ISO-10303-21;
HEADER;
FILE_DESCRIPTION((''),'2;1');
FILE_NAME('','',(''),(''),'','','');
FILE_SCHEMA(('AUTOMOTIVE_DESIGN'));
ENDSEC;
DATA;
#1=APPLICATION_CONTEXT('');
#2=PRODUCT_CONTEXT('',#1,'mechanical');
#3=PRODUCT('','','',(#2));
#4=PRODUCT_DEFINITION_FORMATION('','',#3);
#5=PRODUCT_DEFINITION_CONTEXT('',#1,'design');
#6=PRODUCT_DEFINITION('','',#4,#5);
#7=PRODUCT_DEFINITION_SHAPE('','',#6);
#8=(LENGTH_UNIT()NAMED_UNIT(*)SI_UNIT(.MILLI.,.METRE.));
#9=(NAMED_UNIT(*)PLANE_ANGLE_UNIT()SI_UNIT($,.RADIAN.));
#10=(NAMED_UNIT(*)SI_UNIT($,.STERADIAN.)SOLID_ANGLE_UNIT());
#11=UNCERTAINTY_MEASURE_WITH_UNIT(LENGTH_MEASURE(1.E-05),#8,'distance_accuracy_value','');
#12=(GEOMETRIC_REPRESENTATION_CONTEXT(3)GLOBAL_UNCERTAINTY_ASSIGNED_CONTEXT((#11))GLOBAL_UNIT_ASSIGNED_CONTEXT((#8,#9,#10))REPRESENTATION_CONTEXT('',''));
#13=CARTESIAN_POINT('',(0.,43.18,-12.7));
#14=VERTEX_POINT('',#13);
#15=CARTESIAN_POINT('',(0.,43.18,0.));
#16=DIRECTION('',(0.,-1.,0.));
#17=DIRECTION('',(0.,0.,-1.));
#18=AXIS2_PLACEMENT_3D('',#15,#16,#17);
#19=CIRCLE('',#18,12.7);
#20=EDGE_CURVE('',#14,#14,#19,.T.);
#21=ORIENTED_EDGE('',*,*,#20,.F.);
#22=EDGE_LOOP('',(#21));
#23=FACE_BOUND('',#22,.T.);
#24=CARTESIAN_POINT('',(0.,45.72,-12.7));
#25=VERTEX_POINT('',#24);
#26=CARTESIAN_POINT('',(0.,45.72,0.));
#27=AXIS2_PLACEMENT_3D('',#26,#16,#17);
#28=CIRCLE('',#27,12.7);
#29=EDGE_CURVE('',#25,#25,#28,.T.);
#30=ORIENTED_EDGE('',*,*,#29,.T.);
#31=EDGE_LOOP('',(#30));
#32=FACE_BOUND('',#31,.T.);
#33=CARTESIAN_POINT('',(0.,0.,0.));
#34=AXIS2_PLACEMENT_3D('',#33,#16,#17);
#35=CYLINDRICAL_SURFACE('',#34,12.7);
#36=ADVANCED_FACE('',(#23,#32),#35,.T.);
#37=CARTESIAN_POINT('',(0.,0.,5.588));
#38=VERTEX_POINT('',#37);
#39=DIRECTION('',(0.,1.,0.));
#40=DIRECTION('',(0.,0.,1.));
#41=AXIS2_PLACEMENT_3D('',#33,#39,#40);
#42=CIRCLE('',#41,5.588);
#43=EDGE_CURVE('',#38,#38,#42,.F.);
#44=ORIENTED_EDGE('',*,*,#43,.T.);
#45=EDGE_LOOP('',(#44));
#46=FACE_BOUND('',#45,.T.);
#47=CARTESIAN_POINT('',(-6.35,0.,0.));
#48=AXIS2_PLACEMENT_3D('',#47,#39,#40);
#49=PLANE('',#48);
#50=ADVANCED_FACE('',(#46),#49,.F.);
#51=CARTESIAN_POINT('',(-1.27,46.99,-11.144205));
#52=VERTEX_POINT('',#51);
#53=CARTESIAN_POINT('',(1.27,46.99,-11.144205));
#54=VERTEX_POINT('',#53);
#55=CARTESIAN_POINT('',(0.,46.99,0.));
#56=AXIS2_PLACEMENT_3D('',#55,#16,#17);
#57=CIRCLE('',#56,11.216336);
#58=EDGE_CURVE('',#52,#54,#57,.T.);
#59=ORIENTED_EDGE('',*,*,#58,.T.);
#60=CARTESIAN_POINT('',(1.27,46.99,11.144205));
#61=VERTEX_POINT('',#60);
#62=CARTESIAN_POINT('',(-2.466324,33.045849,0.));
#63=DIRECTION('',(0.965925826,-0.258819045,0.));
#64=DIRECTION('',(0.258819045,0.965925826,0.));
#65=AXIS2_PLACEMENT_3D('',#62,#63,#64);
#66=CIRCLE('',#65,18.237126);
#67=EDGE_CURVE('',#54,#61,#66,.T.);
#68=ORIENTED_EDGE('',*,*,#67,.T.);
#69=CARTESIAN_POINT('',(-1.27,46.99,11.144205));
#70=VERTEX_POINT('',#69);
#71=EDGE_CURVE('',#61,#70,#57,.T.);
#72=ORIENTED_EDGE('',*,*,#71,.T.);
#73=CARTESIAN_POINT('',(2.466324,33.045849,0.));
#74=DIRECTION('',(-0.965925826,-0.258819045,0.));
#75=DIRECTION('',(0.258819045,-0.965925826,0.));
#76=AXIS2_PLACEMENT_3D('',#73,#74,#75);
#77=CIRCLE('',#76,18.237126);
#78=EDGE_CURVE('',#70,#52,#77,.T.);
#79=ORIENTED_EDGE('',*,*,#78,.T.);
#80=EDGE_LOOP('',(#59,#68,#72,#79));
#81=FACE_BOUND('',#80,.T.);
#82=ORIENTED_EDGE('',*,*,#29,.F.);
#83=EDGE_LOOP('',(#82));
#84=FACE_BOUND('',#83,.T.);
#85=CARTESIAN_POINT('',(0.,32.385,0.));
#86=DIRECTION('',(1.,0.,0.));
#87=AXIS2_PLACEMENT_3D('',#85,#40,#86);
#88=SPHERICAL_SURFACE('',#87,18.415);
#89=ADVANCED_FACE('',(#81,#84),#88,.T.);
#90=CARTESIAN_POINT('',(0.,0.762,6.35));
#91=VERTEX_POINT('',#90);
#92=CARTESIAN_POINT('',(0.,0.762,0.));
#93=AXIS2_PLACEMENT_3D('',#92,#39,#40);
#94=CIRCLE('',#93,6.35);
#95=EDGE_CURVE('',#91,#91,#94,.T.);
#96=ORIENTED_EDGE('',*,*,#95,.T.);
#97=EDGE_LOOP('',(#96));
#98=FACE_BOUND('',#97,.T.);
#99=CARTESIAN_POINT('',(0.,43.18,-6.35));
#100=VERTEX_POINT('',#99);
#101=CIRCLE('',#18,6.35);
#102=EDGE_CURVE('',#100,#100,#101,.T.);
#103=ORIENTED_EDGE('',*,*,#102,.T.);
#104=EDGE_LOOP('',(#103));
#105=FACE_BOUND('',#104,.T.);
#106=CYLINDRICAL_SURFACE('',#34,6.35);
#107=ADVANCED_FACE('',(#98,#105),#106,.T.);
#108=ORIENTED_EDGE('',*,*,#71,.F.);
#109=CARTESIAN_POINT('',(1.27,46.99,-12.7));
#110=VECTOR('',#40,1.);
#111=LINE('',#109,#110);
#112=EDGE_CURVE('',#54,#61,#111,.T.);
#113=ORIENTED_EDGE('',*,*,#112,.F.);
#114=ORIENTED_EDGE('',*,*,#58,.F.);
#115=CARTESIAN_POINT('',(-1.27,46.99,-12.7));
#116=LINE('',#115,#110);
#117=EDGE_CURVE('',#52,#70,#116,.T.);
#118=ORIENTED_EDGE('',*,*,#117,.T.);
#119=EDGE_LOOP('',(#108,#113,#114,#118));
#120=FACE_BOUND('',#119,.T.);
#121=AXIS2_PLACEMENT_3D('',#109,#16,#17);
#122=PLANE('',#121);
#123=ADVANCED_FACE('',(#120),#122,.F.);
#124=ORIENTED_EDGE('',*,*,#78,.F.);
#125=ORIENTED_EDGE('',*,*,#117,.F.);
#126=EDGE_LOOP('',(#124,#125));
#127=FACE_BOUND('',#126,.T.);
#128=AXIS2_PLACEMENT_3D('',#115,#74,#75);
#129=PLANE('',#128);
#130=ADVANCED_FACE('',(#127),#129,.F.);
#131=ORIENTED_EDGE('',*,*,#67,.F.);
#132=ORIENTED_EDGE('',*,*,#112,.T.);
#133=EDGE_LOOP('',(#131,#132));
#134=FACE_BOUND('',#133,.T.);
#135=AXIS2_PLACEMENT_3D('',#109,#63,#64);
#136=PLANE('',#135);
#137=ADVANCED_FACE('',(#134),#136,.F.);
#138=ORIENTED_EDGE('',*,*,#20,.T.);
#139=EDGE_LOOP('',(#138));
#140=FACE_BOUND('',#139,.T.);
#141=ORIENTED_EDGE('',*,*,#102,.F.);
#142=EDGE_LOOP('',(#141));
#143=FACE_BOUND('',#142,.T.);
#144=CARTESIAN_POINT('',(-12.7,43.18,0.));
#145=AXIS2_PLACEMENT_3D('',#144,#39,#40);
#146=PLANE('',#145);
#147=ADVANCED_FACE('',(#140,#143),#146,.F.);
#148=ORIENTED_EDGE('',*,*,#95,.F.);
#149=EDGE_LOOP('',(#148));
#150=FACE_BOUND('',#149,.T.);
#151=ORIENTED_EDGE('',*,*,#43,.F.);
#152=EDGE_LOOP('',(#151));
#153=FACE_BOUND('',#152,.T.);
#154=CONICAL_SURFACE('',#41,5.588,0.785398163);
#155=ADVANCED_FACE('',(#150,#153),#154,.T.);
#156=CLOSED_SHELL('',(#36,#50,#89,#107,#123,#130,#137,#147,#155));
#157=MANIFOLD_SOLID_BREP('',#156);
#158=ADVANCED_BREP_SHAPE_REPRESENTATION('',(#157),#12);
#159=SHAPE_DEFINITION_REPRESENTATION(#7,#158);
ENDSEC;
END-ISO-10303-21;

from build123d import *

# Parameters (mm, degrees)
DOME2_FACE_RADIUS       = 12.7
DOME2_HEIGHT            = 5.08
CUT_EXTRUDE2_DEPTH      = 54.881536726
CUT_EXTRUDE2_DEPTH_BACK = 54.881536726
CHAMFER1_SIZE           = 0.762


with BuildPart() as part:
    # Sketch1 → Revolve1 (revolve)
    with BuildSketch(Plane.XY, mode=Mode.PRIVATE) as revolve1_sk:
        Polygon((0, 0), (0, 45.72), (-12.7, 45.72), (-12.7, 43.18), (-6.35, 43.18), (-6.35, 0), align=None)
    revolve(revolve1_sk.sketch.rotate(Axis((0, 0, 0), (0, 1, 0)), 270), axis=Axis((0, 0, 0), (0, 1, 0)))

    # Dome2: a dome of height H over a round flat face of radius A is a cap of a sphere of radius (A * A + H * H) / (2 * H)
    dome2_r = (DOME2_FACE_RADIUS * DOME2_FACE_RADIUS + DOME2_HEIGHT * DOME2_HEIGHT) / (2 * DOME2_HEIGHT)
    dome2_base = Plane((0, 45.72, 0), z_dir=(0, 1, 0))
    with Locations(dome2_base.offset(DOME2_HEIGHT - dome2_r)):
        dome2_ball = Sphere(dome2_r, mode=Mode.PRIVATE)
    add(split(dome2_ball, bisect_by=dome2_base, keep=Keep.TOP, mode=Mode.PRIVATE))

    # Sketch2 → Cut-Extrude2 (cut, two sides: drawn at the far end of the back side and taken through both)
    with BuildSketch(Plane.XY.offset(-CUT_EXTRUDE2_DEPTH_BACK)):
        Polygon((1.27, 46.99), (-1.27, 46.99), (-3.262213041, 54.425040289), (3.262213041, 54.425040289), align=None)
    extrude(amount=CUT_EXTRUDE2_DEPTH + CUT_EXTRUDE2_DEPTH_BACK, mode=Mode.SUBTRACT)

    # Chamfer1
    chamfer1_edges = [part.edges().sort_by_distance(p)[0] for p in [
        (0, 0, 6.35),
    ]]
    chamfer(chamfer1_edges, length=CHAMFER1_SIZE)


solid = part.part
